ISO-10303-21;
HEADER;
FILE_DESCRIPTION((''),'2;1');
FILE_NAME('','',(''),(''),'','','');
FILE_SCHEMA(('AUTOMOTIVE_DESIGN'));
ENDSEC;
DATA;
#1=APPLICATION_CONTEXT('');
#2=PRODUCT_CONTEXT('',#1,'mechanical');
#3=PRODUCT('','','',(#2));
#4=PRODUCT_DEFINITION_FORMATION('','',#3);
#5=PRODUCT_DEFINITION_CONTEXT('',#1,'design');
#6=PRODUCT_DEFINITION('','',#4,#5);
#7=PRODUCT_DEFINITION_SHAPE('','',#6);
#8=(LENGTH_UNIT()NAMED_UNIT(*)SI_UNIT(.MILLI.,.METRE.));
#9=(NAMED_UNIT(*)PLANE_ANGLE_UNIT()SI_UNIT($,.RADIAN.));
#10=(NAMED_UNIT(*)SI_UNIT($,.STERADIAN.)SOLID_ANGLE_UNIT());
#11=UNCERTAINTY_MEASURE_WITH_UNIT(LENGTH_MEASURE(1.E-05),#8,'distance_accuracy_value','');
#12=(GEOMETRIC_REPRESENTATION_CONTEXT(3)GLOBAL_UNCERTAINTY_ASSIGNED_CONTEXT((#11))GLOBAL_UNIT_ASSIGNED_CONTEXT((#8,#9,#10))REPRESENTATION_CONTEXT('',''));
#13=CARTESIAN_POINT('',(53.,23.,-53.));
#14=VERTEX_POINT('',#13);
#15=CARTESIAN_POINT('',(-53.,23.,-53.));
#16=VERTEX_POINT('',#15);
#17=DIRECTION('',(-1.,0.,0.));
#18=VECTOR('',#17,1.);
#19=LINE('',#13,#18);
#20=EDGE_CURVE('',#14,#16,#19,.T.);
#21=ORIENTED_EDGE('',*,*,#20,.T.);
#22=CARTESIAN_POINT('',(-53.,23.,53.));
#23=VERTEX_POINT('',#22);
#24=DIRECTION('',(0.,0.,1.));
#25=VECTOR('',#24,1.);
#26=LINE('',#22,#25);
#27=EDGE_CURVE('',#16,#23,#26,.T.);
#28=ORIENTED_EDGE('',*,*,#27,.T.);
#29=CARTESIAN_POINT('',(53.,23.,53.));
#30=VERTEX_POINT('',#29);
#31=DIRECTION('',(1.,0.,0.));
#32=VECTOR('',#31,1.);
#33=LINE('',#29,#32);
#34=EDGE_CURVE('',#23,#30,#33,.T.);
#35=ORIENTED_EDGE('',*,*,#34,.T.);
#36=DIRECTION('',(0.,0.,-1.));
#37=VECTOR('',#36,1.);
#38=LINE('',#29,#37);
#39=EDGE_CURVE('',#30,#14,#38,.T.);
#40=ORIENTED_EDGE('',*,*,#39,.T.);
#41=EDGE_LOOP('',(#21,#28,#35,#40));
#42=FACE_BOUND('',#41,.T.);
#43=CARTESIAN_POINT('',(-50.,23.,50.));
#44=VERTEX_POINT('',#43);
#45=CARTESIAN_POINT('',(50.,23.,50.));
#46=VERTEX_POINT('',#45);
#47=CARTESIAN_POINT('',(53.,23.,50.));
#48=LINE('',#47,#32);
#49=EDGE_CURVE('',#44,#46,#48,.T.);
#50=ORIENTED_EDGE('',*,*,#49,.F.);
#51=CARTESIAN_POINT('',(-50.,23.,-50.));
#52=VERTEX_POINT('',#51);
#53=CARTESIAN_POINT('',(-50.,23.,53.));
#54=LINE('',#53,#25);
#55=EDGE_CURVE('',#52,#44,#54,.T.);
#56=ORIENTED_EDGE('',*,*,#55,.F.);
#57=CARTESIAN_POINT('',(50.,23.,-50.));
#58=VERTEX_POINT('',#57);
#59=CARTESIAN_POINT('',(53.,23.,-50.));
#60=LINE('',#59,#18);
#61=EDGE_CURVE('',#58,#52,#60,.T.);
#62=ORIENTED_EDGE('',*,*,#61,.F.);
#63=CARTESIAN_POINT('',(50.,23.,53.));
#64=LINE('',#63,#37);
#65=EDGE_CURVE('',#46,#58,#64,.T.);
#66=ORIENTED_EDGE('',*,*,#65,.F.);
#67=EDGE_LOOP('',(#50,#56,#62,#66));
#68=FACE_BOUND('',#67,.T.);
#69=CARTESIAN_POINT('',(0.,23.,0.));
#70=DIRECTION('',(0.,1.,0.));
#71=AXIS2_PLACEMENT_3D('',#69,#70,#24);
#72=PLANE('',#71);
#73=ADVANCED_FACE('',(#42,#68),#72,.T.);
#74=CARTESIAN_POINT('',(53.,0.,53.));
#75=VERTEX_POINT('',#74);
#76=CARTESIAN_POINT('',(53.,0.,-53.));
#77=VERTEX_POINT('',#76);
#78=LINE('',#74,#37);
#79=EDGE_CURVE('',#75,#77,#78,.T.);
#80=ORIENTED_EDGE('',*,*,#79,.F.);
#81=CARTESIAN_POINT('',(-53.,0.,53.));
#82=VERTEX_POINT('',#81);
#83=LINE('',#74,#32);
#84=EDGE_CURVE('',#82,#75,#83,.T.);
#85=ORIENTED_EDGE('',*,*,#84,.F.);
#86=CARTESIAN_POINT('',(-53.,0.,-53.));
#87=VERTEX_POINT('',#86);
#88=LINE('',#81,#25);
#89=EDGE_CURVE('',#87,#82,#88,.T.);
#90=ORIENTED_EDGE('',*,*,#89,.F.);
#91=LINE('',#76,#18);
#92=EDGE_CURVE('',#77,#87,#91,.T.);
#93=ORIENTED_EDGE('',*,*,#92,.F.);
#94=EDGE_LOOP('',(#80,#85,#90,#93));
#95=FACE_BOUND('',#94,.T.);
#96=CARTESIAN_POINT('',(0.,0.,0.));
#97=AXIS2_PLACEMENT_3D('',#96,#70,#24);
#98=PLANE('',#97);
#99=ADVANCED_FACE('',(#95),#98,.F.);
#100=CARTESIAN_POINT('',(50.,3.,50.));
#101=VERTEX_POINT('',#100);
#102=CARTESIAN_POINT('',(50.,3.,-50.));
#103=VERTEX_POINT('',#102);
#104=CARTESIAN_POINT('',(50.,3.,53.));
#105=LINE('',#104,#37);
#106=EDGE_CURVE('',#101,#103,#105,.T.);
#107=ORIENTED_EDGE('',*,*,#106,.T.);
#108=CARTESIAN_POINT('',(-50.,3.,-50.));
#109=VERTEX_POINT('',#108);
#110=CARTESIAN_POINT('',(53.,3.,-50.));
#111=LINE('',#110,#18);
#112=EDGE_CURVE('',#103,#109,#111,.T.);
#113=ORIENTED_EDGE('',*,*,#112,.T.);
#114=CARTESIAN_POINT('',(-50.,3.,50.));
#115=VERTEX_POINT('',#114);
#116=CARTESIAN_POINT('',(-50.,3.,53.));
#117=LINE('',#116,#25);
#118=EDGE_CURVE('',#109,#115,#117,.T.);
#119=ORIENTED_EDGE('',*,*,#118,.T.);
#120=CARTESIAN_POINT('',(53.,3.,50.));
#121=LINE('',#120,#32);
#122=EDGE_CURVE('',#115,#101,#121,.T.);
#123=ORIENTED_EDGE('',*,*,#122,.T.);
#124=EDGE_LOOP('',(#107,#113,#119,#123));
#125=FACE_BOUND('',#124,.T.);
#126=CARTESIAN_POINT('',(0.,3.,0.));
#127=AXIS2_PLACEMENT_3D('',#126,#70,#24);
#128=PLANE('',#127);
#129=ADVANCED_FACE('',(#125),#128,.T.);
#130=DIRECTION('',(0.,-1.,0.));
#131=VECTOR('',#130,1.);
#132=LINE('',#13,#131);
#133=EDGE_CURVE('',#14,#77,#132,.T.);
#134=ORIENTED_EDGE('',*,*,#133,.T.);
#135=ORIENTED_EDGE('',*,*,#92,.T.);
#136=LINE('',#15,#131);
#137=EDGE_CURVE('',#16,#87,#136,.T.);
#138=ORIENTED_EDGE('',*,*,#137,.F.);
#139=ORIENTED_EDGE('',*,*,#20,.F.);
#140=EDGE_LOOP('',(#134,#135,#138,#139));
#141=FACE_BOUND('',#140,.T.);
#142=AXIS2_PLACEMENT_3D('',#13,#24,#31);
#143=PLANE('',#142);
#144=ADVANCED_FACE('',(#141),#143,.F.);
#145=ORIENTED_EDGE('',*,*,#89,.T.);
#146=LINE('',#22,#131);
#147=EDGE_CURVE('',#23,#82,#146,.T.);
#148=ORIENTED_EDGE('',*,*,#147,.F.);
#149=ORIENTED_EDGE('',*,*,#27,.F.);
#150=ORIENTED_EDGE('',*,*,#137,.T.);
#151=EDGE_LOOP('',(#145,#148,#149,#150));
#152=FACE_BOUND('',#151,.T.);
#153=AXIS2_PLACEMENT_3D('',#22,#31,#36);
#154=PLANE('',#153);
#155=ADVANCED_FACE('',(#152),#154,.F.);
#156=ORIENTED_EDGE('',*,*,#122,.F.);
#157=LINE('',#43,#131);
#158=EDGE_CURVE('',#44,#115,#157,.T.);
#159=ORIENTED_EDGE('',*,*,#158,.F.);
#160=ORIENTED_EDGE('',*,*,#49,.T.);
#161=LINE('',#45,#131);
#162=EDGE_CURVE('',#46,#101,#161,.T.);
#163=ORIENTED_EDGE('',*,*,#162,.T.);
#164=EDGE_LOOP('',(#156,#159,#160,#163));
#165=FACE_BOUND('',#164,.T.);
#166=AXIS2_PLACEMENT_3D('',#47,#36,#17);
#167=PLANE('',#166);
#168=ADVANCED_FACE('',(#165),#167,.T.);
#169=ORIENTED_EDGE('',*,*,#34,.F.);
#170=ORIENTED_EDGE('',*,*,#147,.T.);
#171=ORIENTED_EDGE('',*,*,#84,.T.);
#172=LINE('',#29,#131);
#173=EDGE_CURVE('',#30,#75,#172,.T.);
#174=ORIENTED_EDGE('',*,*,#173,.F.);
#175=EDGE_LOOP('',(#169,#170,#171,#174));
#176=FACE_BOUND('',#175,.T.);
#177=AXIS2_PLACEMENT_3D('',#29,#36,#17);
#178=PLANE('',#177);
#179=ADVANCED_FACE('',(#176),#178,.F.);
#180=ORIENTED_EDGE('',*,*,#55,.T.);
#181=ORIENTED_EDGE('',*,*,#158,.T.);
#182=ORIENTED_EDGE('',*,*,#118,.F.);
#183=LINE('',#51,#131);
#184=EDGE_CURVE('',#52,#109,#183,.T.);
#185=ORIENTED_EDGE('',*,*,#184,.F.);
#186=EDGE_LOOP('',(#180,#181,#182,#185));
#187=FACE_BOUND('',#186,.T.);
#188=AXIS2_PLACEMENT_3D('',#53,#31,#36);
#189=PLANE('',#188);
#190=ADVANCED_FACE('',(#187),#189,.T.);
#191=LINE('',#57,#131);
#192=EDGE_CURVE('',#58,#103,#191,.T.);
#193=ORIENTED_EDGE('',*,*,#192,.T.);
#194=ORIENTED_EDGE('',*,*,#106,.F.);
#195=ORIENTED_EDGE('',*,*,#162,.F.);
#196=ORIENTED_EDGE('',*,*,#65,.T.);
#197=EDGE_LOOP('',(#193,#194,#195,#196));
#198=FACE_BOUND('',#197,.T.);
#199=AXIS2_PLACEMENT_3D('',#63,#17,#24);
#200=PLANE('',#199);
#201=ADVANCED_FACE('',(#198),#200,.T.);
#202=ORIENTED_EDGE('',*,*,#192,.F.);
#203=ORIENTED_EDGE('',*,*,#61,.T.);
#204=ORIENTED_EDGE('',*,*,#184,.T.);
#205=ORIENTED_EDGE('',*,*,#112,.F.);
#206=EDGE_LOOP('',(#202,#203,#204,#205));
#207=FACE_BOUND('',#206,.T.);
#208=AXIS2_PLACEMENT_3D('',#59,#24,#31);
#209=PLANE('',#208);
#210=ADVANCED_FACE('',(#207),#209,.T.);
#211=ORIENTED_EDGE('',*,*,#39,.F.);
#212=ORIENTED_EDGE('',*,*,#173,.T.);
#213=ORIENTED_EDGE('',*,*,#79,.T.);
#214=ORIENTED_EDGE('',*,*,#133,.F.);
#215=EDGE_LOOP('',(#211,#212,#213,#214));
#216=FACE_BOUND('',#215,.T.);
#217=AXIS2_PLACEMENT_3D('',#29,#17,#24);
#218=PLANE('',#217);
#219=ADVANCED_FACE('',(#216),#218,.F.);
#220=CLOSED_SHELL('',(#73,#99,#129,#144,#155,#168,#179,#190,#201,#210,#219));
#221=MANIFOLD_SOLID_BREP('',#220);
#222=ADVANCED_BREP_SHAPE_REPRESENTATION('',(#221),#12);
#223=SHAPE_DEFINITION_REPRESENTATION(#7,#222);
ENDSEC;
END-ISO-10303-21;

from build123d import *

# Parameters (mm, degrees)
SKETCH1_W           = 106
SKETCH1_H           = 106
BOSS_EXTRUDE1_DEPTH = 23
SHELL1_T            = -3


with BuildPart() as part:
    # Sketch1 → Boss-Extrude1 (new body)
    with BuildSketch(Plane(origin=(0, 0, 0), x_dir=(1, 0, 0), z_dir=(0, 1, 0))):
        Rectangle(SKETCH1_W, SKETCH1_H)
    extrude(amount=BOSS_EXTRUDE1_DEPTH)

    # Shell1
    shell1_openings = [part.faces().sort_by_distance(p)[0] for p in [
        (0, 23, 0),
    ]]
    offset(amount=SHELL1_T, openings=shell1_openings, kind=Kind.INTERSECTION)


solid = part.part
